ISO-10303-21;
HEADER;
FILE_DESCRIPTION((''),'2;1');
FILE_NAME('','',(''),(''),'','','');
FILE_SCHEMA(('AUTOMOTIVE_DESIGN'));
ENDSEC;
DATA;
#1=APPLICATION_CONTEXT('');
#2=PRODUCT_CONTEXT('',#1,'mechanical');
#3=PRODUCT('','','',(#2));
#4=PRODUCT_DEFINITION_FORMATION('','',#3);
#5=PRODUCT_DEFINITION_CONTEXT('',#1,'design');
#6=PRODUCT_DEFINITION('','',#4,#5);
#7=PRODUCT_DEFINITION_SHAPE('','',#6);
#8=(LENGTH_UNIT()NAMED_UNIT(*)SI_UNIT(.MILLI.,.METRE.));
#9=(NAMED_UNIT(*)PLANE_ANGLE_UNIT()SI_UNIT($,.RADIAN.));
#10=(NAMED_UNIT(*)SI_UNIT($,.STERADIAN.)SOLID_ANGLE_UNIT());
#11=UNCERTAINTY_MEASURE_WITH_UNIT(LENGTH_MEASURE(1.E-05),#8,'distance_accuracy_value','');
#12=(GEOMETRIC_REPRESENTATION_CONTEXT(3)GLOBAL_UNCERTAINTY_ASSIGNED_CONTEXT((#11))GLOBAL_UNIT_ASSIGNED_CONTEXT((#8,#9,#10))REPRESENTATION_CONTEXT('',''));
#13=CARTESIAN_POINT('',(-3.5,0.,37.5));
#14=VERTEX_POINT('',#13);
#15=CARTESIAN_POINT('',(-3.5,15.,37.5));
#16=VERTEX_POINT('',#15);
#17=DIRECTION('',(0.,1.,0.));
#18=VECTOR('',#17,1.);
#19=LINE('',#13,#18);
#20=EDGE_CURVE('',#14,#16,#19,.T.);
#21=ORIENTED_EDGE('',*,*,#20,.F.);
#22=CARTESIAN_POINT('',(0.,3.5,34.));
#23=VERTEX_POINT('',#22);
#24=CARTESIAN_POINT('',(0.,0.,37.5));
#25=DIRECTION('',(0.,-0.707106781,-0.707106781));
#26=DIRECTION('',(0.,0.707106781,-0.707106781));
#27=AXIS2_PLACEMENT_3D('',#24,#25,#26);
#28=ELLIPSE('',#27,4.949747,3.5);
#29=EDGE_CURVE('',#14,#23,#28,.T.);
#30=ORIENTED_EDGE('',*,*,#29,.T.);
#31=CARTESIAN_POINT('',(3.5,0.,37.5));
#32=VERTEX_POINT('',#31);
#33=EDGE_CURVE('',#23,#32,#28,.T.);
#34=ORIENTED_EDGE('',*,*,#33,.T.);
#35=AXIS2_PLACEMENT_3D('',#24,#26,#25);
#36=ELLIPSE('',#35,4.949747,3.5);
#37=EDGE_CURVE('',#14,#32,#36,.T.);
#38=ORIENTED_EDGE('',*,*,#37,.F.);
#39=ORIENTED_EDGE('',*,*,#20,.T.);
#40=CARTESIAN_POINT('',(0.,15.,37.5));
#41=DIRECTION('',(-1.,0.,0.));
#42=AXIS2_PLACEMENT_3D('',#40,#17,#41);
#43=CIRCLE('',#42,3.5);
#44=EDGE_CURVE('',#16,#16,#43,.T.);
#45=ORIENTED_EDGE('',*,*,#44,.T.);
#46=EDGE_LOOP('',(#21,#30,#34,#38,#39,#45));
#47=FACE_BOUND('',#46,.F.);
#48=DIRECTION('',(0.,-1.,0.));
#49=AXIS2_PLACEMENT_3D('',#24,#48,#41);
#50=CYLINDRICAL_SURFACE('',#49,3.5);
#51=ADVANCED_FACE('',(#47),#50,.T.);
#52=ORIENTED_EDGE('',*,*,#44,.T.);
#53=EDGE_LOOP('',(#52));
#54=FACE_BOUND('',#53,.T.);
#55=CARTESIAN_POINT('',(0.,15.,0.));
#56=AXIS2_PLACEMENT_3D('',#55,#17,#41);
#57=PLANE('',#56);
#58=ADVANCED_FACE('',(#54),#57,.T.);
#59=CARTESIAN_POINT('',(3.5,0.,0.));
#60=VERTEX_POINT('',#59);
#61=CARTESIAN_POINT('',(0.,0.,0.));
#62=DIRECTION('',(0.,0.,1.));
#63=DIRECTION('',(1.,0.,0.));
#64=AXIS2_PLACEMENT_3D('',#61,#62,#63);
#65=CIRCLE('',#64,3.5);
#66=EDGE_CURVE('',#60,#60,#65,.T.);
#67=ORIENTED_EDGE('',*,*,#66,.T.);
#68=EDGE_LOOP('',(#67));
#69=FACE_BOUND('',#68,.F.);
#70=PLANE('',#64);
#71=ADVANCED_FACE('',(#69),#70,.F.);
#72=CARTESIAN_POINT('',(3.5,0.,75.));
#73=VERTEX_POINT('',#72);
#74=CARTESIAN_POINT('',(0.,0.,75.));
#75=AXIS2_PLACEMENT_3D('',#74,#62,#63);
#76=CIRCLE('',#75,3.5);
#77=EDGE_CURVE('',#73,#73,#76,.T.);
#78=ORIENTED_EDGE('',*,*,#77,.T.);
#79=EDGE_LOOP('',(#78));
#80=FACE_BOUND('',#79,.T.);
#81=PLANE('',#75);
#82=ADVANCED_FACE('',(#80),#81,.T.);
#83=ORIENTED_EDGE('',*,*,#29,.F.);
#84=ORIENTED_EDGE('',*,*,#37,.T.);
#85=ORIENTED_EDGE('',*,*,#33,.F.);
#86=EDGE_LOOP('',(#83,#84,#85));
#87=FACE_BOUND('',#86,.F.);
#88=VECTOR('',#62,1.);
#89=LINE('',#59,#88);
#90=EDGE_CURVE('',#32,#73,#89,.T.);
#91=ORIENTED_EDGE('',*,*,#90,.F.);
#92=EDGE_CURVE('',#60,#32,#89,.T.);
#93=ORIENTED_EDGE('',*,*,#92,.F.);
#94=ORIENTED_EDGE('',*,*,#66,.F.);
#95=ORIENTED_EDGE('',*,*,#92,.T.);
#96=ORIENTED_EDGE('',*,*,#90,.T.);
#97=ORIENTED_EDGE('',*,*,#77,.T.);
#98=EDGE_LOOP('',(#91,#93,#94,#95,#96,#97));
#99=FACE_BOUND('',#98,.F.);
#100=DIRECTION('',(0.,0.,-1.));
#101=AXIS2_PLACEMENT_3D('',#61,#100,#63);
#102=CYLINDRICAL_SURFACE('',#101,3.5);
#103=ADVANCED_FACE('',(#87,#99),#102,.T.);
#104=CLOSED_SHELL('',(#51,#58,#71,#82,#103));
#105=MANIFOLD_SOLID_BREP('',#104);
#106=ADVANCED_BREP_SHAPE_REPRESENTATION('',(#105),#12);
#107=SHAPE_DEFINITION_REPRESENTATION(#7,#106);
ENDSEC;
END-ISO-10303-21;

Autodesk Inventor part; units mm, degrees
ref_plane "YZ Plane" through (0, 0, 0) normal (1, 0, 0) x (0, 1, 0)
ref_plane "XZ Plane" through (0, 0, 0) normal (0, 1, 0) x (-1, 0, 0)
ref_plane "XY Plane" through (0, 0, 0) normal (0, 0, 1) x (1, 0, 0)
sketch "Эскиз1" plane through (0, 0, 0) normal (0, 0, 1) x (1, 0, 0)
  circle A0 centre (0, 0) radius 3.5
  dimension "d0" = 7
extrude "Выдавливание1" add sketch "Эскиз1" along normal blind 75
sketch "Эскиз2" plane through (0, 0, 0) normal (0, 1, 0) x (-1, 0, 0)
  line L0 (3.5, 75) -> (-3.5, 75) projected
  line L1 (0, 75) -> (0, 0) construction
  circle A0 centre (0, 37.5) radius 3.5
extrude "Выдавливание2" add sketch "Эскиз2" along normal blind 15
properties part number "Ось_антенны" material "Алюминий 6061"
